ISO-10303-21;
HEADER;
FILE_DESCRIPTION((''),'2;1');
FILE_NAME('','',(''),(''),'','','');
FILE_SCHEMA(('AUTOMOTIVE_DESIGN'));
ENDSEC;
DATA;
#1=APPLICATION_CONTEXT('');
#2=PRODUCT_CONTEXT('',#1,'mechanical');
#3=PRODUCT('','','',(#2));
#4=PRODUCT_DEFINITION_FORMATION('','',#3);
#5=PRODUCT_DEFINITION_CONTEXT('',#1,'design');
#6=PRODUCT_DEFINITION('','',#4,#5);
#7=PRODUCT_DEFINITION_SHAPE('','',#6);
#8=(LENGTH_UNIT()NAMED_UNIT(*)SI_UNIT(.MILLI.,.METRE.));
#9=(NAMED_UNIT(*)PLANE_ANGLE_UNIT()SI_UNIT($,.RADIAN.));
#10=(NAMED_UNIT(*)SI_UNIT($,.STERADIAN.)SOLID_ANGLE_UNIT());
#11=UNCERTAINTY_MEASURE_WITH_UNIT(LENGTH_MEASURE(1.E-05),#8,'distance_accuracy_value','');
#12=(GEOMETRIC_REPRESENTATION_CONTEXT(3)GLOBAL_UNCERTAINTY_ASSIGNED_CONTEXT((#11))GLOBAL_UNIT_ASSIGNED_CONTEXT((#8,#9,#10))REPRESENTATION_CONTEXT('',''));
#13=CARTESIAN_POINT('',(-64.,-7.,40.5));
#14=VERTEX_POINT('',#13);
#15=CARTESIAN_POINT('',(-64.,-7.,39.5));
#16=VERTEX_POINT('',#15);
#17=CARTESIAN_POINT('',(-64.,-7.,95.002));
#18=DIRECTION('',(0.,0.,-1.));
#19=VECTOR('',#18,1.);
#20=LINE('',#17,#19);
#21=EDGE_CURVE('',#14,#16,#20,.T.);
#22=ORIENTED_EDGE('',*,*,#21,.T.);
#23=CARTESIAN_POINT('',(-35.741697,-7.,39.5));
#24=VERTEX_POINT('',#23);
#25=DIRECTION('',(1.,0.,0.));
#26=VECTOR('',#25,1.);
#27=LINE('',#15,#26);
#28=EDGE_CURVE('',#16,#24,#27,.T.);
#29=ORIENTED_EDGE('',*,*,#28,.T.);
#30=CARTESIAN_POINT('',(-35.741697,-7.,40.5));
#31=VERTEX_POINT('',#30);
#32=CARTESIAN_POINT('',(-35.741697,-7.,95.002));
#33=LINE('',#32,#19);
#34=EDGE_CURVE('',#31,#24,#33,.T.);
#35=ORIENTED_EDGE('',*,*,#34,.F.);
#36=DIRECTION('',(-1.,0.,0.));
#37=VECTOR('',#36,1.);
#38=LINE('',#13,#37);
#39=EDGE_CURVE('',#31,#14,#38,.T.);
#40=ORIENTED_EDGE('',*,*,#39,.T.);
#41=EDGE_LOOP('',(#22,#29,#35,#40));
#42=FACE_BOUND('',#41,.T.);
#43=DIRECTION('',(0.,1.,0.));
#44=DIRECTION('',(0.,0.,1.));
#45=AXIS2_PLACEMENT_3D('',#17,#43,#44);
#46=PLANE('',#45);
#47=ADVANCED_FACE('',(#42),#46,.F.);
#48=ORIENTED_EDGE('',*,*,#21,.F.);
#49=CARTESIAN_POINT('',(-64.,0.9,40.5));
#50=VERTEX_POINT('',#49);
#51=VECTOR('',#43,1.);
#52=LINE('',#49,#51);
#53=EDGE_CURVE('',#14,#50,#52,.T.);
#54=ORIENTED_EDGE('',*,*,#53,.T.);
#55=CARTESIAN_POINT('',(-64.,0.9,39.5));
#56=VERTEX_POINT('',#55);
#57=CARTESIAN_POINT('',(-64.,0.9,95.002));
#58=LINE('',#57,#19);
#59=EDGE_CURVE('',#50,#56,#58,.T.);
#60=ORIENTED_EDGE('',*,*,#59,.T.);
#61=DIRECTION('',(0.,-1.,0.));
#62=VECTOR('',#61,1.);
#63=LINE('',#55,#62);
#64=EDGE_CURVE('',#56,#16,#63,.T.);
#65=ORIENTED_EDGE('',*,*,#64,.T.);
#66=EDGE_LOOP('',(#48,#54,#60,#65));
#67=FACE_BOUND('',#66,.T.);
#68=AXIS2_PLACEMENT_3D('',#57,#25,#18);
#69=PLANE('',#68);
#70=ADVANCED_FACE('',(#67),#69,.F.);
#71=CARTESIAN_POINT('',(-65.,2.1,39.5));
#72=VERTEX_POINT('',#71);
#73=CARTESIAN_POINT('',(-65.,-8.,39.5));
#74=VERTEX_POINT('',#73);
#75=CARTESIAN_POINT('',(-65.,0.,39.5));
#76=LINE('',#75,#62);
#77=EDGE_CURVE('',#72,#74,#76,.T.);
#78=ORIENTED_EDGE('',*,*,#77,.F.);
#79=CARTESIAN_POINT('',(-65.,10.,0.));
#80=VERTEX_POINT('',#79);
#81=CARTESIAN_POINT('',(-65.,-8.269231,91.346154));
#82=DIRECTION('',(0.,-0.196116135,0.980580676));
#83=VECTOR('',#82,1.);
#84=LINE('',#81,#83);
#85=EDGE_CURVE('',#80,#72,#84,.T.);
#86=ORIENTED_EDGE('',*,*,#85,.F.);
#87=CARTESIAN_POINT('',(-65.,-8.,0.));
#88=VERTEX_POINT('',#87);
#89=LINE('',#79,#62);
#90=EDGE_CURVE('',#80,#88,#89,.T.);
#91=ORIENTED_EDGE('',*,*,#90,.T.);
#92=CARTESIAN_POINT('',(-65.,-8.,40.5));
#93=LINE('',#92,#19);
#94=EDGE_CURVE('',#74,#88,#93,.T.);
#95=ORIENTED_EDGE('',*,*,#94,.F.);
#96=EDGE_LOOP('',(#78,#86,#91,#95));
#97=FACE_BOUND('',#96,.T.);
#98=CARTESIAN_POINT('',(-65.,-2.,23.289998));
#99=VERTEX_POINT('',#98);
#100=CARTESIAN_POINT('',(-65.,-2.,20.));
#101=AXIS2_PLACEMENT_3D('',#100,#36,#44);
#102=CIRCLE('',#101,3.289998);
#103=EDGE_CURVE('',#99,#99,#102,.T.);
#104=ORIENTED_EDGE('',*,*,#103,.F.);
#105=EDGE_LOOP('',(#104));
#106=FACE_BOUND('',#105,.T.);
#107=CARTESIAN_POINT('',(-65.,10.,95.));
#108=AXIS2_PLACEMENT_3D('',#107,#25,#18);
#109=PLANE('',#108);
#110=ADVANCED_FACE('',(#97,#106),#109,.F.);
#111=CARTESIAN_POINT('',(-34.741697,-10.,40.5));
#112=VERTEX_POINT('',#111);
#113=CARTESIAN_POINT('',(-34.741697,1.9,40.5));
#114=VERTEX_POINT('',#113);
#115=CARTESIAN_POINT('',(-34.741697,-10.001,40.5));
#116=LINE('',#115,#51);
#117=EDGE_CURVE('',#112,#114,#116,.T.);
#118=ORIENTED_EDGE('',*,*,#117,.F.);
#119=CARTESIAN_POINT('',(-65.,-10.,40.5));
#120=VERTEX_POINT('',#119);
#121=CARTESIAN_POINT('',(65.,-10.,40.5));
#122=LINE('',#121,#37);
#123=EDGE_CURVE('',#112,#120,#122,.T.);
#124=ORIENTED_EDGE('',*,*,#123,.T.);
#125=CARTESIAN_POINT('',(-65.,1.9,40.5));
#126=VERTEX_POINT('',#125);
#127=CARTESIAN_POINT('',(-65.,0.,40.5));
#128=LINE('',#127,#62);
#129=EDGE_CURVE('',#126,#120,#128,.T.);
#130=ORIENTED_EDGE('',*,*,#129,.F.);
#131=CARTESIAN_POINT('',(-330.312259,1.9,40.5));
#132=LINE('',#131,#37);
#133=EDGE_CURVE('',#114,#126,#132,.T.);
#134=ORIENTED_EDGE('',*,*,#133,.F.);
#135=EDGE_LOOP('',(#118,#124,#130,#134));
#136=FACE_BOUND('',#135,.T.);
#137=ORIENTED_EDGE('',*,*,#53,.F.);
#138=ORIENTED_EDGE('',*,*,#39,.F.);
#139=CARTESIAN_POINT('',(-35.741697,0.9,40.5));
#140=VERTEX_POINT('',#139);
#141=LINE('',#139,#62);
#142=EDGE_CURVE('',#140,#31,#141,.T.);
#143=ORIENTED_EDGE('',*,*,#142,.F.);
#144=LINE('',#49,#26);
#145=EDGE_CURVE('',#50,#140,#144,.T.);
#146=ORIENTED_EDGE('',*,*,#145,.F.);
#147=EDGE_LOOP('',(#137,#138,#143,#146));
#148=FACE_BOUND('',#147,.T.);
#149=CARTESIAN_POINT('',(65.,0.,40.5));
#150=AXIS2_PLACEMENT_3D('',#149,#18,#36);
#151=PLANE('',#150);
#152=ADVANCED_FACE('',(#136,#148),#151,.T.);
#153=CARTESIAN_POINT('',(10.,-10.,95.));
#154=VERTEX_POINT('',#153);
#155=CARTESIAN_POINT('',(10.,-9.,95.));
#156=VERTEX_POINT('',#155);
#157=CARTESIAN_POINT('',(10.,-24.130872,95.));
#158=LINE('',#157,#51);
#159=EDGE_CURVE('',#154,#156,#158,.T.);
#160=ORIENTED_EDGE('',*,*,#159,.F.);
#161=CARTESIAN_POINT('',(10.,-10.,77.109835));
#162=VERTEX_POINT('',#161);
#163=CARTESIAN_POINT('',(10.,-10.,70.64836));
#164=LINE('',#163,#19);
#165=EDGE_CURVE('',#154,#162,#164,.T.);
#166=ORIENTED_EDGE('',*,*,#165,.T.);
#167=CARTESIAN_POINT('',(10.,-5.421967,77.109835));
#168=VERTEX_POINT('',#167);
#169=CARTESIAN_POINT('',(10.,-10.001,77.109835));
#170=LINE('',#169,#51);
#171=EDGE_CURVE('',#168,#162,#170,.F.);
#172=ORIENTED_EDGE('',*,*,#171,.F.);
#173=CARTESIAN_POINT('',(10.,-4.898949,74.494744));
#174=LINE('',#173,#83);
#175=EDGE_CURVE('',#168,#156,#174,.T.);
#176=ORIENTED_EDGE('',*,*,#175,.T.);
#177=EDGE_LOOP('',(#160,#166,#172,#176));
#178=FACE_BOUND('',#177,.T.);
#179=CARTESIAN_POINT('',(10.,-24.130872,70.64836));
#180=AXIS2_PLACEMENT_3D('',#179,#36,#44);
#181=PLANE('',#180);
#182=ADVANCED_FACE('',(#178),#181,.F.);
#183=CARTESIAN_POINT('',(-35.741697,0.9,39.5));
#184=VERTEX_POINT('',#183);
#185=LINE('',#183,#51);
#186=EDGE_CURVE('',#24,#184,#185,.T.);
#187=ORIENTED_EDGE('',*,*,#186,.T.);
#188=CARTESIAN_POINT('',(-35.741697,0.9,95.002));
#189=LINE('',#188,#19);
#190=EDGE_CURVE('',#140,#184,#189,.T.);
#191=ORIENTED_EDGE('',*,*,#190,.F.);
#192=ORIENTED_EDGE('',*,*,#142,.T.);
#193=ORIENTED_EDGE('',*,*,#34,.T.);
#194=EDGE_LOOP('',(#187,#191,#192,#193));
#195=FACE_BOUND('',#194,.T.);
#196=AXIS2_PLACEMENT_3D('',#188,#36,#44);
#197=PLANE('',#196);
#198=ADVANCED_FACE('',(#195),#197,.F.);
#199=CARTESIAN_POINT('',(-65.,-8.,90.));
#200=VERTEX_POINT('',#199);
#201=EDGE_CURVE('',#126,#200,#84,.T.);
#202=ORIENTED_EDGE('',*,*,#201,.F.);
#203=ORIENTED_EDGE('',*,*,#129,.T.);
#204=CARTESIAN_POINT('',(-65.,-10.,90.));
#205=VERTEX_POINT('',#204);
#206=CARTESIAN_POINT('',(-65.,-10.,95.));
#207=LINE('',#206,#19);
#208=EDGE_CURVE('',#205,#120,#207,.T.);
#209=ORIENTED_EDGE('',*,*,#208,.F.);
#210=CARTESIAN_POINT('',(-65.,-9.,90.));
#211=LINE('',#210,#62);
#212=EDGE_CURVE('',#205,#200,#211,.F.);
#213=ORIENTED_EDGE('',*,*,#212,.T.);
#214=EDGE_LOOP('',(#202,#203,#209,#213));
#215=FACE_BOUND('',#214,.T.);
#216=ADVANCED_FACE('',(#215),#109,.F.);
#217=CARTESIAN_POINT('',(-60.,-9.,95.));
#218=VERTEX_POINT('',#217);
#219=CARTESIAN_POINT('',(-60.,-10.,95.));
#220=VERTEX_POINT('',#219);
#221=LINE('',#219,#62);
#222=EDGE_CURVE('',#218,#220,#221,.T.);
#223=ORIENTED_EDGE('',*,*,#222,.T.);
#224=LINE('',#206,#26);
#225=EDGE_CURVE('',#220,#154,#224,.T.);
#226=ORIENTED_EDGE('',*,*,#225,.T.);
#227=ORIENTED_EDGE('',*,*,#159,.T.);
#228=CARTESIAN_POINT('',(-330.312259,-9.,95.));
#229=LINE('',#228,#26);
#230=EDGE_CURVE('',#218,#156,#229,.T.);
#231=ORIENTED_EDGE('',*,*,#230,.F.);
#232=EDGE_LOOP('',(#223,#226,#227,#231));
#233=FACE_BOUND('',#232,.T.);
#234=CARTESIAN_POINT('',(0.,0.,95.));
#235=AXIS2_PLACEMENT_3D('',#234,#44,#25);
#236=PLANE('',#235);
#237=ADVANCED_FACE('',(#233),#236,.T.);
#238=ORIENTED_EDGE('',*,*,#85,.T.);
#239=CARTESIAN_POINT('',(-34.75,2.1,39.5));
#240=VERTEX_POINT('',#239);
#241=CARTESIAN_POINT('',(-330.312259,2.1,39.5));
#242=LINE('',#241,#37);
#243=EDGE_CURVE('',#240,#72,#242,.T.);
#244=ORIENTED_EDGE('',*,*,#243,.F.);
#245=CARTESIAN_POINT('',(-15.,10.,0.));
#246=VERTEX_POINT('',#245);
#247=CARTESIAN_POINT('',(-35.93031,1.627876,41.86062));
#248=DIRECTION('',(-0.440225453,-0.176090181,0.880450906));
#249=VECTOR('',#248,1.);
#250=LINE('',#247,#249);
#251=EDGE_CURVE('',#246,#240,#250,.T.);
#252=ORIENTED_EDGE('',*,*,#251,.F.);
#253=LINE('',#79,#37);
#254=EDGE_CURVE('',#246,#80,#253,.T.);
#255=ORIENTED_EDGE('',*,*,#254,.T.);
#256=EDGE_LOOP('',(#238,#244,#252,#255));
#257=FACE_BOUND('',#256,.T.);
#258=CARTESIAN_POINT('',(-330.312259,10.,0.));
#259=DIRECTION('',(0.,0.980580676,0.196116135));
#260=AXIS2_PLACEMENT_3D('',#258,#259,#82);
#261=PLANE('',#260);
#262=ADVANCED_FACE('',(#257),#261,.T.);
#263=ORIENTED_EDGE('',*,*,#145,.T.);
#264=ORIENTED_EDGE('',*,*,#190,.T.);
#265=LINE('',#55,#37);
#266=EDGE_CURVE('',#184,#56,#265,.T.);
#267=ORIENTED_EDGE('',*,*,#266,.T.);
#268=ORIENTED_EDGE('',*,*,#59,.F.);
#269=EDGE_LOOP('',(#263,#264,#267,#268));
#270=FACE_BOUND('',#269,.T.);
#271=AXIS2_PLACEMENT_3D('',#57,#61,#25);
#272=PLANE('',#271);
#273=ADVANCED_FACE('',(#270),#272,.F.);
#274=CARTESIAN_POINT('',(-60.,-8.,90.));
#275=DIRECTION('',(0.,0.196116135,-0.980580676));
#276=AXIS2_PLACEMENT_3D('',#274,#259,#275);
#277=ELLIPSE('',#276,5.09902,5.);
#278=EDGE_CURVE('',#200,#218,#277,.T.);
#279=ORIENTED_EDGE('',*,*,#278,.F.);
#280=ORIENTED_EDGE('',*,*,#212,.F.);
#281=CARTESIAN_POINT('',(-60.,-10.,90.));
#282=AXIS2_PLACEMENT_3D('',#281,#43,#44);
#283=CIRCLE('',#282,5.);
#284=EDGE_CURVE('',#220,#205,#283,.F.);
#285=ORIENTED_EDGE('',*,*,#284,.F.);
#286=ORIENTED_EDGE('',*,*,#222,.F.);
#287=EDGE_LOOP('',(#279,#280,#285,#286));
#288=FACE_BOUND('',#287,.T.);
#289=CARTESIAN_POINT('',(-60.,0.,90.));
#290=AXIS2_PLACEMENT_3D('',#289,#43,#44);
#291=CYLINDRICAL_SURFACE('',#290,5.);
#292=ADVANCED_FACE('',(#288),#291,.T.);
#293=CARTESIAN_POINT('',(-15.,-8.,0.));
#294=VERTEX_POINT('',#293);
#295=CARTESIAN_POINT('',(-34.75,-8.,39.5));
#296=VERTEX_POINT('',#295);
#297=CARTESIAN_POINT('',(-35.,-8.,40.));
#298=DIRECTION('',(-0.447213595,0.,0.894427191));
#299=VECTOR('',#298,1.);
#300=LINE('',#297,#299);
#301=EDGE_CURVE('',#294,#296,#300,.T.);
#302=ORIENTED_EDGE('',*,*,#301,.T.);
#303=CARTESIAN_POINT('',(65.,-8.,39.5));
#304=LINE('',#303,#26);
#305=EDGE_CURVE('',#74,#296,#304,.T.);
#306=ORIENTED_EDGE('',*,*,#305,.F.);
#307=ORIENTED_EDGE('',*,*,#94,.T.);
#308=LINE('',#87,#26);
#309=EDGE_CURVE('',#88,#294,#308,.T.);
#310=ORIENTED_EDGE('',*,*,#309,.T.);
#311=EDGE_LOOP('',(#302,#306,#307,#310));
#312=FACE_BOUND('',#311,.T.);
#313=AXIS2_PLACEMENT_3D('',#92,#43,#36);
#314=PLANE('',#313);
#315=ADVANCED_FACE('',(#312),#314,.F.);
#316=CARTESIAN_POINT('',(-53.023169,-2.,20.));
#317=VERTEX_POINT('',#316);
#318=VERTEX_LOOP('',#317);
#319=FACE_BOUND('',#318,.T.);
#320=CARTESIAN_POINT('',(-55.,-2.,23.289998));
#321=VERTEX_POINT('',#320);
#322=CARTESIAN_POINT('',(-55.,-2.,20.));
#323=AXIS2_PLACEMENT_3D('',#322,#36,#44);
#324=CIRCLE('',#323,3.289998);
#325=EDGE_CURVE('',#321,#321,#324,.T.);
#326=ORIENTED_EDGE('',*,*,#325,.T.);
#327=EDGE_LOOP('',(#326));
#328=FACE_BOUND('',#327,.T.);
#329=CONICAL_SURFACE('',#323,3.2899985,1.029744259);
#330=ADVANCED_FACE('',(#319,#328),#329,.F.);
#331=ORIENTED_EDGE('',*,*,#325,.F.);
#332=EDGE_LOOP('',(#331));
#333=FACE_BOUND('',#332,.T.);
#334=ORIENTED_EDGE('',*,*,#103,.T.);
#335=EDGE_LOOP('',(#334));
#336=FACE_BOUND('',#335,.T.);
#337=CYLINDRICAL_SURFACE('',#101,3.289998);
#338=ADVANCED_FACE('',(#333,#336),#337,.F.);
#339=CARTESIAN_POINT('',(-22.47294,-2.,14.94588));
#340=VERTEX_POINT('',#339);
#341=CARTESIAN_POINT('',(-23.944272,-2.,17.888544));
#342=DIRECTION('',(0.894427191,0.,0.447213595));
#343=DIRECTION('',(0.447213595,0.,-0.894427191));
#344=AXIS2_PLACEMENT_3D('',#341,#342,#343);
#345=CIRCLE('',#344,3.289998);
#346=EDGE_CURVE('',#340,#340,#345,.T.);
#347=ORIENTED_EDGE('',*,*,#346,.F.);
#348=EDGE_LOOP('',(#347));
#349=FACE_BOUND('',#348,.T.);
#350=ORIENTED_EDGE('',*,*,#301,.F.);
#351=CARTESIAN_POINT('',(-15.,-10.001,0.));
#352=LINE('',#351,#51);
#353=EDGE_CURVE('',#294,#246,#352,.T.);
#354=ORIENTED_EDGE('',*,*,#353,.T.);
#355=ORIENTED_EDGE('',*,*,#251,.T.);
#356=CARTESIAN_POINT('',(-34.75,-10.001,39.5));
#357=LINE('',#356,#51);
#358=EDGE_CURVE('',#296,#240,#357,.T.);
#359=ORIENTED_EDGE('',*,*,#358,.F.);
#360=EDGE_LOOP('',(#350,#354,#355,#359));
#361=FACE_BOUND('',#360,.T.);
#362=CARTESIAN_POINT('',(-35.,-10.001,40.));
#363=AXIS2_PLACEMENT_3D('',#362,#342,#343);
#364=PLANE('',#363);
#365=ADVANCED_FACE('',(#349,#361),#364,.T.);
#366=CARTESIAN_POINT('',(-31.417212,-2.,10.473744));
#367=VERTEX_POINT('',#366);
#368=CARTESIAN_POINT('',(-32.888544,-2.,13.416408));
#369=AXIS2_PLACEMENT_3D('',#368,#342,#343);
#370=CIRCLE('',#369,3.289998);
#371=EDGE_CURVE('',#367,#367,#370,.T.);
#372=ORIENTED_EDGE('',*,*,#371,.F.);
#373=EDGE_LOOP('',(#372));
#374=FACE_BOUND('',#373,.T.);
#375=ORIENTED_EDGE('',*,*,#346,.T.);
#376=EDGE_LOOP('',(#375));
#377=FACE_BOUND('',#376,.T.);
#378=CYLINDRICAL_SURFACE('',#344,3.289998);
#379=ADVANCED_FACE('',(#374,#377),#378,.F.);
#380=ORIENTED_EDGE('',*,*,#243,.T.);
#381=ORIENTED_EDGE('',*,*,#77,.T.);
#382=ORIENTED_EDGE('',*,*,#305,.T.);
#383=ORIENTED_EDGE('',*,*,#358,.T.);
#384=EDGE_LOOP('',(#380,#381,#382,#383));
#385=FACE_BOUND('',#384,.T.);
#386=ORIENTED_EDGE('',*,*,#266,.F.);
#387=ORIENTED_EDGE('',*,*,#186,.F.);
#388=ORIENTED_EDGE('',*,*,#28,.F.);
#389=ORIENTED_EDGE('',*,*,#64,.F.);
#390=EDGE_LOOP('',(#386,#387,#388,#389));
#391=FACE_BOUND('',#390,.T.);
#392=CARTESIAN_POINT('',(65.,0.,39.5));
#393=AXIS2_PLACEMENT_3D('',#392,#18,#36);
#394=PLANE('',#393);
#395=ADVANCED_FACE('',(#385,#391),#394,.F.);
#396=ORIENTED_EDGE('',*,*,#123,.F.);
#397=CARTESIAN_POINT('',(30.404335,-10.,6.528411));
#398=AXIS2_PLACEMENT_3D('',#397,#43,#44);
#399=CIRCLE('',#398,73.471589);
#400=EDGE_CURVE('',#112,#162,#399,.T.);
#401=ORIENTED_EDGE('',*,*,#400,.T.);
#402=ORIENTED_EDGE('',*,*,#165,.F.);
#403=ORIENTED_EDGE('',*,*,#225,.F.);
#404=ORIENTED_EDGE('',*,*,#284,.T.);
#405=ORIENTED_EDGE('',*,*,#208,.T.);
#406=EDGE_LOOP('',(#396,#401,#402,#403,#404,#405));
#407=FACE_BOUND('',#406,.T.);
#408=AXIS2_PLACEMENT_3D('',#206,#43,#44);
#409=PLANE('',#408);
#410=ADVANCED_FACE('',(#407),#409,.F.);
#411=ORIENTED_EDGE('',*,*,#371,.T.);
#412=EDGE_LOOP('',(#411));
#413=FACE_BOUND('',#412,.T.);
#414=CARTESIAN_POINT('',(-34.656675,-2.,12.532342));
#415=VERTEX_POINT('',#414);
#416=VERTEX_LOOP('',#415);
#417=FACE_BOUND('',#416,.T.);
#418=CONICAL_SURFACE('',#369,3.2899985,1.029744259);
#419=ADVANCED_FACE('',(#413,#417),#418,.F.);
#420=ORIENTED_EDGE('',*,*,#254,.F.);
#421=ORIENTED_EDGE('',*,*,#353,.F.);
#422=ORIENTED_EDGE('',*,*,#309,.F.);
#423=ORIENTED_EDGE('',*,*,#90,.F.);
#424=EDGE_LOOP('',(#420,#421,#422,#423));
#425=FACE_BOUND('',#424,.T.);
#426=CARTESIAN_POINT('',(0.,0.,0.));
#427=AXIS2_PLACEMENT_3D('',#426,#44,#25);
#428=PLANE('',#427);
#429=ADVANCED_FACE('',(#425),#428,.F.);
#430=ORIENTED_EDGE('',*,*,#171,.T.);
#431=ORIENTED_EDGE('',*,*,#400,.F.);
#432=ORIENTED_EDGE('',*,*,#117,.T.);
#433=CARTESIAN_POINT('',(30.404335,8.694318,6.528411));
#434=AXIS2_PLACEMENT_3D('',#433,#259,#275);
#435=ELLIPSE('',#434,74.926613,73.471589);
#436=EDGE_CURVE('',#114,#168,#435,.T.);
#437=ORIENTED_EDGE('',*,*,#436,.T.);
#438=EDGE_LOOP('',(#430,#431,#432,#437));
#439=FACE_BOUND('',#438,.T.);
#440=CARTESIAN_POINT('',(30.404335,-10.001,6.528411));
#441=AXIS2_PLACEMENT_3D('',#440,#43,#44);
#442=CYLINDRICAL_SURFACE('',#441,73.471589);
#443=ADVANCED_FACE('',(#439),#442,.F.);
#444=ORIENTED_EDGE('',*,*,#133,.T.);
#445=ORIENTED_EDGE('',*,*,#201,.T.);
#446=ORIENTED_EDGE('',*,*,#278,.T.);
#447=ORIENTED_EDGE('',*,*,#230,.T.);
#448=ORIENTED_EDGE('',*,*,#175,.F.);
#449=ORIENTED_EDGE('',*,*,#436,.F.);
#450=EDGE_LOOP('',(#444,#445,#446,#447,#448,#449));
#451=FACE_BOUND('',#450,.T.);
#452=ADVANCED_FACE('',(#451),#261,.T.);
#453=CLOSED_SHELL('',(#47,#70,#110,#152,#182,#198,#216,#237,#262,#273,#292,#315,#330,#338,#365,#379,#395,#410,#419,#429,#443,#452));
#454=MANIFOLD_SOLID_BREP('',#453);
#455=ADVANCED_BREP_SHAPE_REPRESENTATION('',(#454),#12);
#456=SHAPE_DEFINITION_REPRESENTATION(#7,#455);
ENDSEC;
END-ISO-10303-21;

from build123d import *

# Parameters (mm, degrees)
ESBO_O1_W                                      = 130
ESBO_O1_H                                      = 20
RESSALTO_EXTRUS_O1_DEPTH                       = 95
CORTE_EXTRUS_O2_REACH                          = 22
CORTE_EXTRUS_O4_DEPTH                          = 1
CORTE_EXTRUS_O4_DEPTH_BACK                     = 131
BROCA_DE_ROSQUEAR_DE_CANO_PARA_TARRAXA_D_D     = 6.579997
BROCA_DE_ROSQUEAR_DE_CANO_PARA_TARRAXA_D_DEPTH = 10
BROCA_DE_ROSQUEAR_DE_CANO_PARA_TARRAXA_D_TIP   = 1.976830535
BROCA_DE_ROSQUEAR_DE_CANO_PARA_TARRA_2_D       = 6.579997
BROCA_DE_ROSQUEAR_DE_CANO_PARA_TARRA_2_DEPTH   = 10
BROCA_DE_ROSQUEAR_DE_CANO_PARA_TARRA_2_TIP     = 1.976830535
FILETE2_R                                      = 5
CORTE_EXTRUS_O7_DEPTH                          = 131
RESSALTO_EXTRUS_O2_REACH                       = 57.5
ESBO_O37_W                                     = 28.258303284
ESBO_O37_H                                     = 7.9
CORTE_EXTRUS_O8_REACH                          = 21.612
ESBO_O38_W                                     = 55
ESBO_O38_H                                     = 21.847631836
ESBO_O39_W                                     = 50
ESBO_O39_H                                     = 2
CORTE_EXTRUS_O9_DEPTH                          = 40.5


with BuildPart() as part:
    # Esboço1 → Ressalto-extrusão1 (new body)
    with BuildSketch(Plane.XY):
        Rectangle(ESBO_O1_W, ESBO_O1_H)
    extrude(amount=RESSALTO_EXTRUS_O1_DEPTH)

    # Esboço2 → Corte-extrusão2 (cut, up to next)
    with BuildSketch(Plane(origin=(0, 10, 0), x_dir=(1, 0, 0), z_dir=(0, 1, 0)), mode=Mode.PRIVATE) as corte_extrus_o2_sk1:
        with BuildLine():
            Line((65, 0), (-15, 0))
            Line((-15, 0), (-35, -40))
            ThreePointArc((-35, -40), (-7.92883262, -69.207295879), (30.404335441, -80))
            Line((30.404335441, -80), (65, -80))
            Line((65, -80), (65, 0))
        make_face()
    corte_extrus_o2_tool1 = extrude(corte_extrus_o2_sk1.sketch, amount=-CORTE_EXTRUS_O2_REACH, mode=Mode.PRIVATE) & part.part
    add(corte_extrus_o2_tool1.solids().sort_by_distance((21.312978, 10, 38.404428))[0], mode=Mode.SUBTRACT)

    # Esboço13 → Corte-extrusão4 (cut, two sides)
    with BuildSketch(Plane.ZY.offset(65)) as corte_extrus_o4_sk:
        Polygon((-200.200134404, 50.040026881), (0, 10), (95, -9), (295.200134404, -49.040026881), (375.280188165, 351.360241926), (-120.120080642, 450.440295688), align=None)
    extrude(amount=CORTE_EXTRUS_O4_DEPTH, mode=Mode.SUBTRACT)
    extrude(corte_extrus_o4_sk.sketch, amount=-CORTE_EXTRUS_O4_DEPTH_BACK, mode=Mode.SUBTRACT)

    # Broca de rosquear de cano para tarraxa d
    with Locations(Plane.ZY.offset(65)):
        with Locations((20, -2)):
            Hole(BROCA_DE_ROSQUEAR_DE_CANO_PARA_TARRAXA_D_D / 2, depth=BROCA_DE_ROSQUEAR_DE_CANO_PARA_TARRAXA_D_DEPTH)
            with Locations((0, 0, -(BROCA_DE_ROSQUEAR_DE_CANO_PARA_TARRAXA_D_DEPTH + BROCA_DE_ROSQUEAR_DE_CANO_PARA_TARRAXA_D_TIP / 2))):  # 118° drill point
                Cone(0, BROCA_DE_ROSQUEAR_DE_CANO_PARA_TARRAXA_D_D / 2, BROCA_DE_ROSQUEAR_DE_CANO_PARA_TARRAXA_D_TIP, mode=Mode.SUBTRACT)

    # Broca de rosquear de cano para tarra 2
    with Locations(Plane(origin=(-12, 0, -6), x_dir=(0.447213595, 0, -0.894427191), z_dir=(0.894427191, 0, 0.447213595))):
        with Locations((-26.708203932, -2)):
            Hole(BROCA_DE_ROSQUEAR_DE_CANO_PARA_TARRA_2_D / 2, depth=BROCA_DE_ROSQUEAR_DE_CANO_PARA_TARRA_2_DEPTH)
            with Locations((0, 0, -(BROCA_DE_ROSQUEAR_DE_CANO_PARA_TARRA_2_DEPTH + BROCA_DE_ROSQUEAR_DE_CANO_PARA_TARRA_2_TIP / 2))):  # 118° drill point
                Cone(0, BROCA_DE_ROSQUEAR_DE_CANO_PARA_TARRA_2_D / 2, BROCA_DE_ROSQUEAR_DE_CANO_PARA_TARRA_2_TIP, mode=Mode.SUBTRACT)

    # Filete2
    filete2_edges = [part.edges().sort_by_distance(p)[0] for p in [
        (-65, -9.5, 95),
    ]]
    fillet(filete2_edges, radius=FILETE2_R)

    # Esboço34 → Corte-extrusão7 (cut, through all)
    with BuildSketch(Plane.ZY.offset(65)):
        Polygon((40, -10), (40, 2), (39.5, 2.1), (39.5, -10), align=None)
        Polygon((40.5, 1.9), (40, 2), (40, -10), (40.5, -10), align=None)
    extrude(amount=-CORTE_EXTRUS_O7_DEPTH, mode=Mode.SUBTRACT)

    # Esboço37 → Ressalto-extrusão2 (add, up to next)
    with BuildSketch(Plane.XY.offset(39.5), mode=Mode.PRIVATE) as ressalto_extrus_o2_sk1:
        with Locations((-49.870848358, -3.05)):
            Rectangle(ESBO_O37_W, ESBO_O37_H)
    ressalto_extrus_o2_tool1 = extrude(ressalto_extrus_o2_sk1.sketch, amount=RESSALTO_EXTRUS_O2_REACH, mode=Mode.PRIVATE) - part.part
    add(ressalto_extrus_o2_tool1.solids().sort_by_distance((-49.870848, -3.05, 39.5))[0])

    # Esboço38 → Corte-extrusão8 (cut, up to next)
    with BuildSketch(Plane(origin=(0, 9.615384615, 1.923076923), x_dir=(1, 0, 0), z_dir=(0, 0.980580676, 0.196116135)), mode=Mode.PRIVATE) as corte_extrus_o8_sk1:
        with Locations((37.5, -84.932685446)):
            Rectangle(ESBO_O38_W, ESBO_O38_H)
    corte_extrus_o8_tool1 = extrude(corte_extrus_o8_sk1.sketch, amount=-CORTE_EXTRUS_O8_REACH, mode=Mode.PRIVATE) & part.part
    add(corte_extrus_o8_tool1.solids().sort_by_distance((37.5, -7.041285, 85.206427))[0], mode=Mode.SUBTRACT)

    # Esboço39 → Corte-extrusão9 (cut)
    with BuildSketch(Plane(origin=(0, 0, 0), x_dir=(-1, 0, 0), z_dir=(0, 0, -1))):
        with Locations((40, -9)):
            Rectangle(ESBO_O39_W, ESBO_O39_H)
    extrude(amount=-CORTE_EXTRUS_O9_DEPTH, mode=Mode.SUBTRACT)


solid = part.part
